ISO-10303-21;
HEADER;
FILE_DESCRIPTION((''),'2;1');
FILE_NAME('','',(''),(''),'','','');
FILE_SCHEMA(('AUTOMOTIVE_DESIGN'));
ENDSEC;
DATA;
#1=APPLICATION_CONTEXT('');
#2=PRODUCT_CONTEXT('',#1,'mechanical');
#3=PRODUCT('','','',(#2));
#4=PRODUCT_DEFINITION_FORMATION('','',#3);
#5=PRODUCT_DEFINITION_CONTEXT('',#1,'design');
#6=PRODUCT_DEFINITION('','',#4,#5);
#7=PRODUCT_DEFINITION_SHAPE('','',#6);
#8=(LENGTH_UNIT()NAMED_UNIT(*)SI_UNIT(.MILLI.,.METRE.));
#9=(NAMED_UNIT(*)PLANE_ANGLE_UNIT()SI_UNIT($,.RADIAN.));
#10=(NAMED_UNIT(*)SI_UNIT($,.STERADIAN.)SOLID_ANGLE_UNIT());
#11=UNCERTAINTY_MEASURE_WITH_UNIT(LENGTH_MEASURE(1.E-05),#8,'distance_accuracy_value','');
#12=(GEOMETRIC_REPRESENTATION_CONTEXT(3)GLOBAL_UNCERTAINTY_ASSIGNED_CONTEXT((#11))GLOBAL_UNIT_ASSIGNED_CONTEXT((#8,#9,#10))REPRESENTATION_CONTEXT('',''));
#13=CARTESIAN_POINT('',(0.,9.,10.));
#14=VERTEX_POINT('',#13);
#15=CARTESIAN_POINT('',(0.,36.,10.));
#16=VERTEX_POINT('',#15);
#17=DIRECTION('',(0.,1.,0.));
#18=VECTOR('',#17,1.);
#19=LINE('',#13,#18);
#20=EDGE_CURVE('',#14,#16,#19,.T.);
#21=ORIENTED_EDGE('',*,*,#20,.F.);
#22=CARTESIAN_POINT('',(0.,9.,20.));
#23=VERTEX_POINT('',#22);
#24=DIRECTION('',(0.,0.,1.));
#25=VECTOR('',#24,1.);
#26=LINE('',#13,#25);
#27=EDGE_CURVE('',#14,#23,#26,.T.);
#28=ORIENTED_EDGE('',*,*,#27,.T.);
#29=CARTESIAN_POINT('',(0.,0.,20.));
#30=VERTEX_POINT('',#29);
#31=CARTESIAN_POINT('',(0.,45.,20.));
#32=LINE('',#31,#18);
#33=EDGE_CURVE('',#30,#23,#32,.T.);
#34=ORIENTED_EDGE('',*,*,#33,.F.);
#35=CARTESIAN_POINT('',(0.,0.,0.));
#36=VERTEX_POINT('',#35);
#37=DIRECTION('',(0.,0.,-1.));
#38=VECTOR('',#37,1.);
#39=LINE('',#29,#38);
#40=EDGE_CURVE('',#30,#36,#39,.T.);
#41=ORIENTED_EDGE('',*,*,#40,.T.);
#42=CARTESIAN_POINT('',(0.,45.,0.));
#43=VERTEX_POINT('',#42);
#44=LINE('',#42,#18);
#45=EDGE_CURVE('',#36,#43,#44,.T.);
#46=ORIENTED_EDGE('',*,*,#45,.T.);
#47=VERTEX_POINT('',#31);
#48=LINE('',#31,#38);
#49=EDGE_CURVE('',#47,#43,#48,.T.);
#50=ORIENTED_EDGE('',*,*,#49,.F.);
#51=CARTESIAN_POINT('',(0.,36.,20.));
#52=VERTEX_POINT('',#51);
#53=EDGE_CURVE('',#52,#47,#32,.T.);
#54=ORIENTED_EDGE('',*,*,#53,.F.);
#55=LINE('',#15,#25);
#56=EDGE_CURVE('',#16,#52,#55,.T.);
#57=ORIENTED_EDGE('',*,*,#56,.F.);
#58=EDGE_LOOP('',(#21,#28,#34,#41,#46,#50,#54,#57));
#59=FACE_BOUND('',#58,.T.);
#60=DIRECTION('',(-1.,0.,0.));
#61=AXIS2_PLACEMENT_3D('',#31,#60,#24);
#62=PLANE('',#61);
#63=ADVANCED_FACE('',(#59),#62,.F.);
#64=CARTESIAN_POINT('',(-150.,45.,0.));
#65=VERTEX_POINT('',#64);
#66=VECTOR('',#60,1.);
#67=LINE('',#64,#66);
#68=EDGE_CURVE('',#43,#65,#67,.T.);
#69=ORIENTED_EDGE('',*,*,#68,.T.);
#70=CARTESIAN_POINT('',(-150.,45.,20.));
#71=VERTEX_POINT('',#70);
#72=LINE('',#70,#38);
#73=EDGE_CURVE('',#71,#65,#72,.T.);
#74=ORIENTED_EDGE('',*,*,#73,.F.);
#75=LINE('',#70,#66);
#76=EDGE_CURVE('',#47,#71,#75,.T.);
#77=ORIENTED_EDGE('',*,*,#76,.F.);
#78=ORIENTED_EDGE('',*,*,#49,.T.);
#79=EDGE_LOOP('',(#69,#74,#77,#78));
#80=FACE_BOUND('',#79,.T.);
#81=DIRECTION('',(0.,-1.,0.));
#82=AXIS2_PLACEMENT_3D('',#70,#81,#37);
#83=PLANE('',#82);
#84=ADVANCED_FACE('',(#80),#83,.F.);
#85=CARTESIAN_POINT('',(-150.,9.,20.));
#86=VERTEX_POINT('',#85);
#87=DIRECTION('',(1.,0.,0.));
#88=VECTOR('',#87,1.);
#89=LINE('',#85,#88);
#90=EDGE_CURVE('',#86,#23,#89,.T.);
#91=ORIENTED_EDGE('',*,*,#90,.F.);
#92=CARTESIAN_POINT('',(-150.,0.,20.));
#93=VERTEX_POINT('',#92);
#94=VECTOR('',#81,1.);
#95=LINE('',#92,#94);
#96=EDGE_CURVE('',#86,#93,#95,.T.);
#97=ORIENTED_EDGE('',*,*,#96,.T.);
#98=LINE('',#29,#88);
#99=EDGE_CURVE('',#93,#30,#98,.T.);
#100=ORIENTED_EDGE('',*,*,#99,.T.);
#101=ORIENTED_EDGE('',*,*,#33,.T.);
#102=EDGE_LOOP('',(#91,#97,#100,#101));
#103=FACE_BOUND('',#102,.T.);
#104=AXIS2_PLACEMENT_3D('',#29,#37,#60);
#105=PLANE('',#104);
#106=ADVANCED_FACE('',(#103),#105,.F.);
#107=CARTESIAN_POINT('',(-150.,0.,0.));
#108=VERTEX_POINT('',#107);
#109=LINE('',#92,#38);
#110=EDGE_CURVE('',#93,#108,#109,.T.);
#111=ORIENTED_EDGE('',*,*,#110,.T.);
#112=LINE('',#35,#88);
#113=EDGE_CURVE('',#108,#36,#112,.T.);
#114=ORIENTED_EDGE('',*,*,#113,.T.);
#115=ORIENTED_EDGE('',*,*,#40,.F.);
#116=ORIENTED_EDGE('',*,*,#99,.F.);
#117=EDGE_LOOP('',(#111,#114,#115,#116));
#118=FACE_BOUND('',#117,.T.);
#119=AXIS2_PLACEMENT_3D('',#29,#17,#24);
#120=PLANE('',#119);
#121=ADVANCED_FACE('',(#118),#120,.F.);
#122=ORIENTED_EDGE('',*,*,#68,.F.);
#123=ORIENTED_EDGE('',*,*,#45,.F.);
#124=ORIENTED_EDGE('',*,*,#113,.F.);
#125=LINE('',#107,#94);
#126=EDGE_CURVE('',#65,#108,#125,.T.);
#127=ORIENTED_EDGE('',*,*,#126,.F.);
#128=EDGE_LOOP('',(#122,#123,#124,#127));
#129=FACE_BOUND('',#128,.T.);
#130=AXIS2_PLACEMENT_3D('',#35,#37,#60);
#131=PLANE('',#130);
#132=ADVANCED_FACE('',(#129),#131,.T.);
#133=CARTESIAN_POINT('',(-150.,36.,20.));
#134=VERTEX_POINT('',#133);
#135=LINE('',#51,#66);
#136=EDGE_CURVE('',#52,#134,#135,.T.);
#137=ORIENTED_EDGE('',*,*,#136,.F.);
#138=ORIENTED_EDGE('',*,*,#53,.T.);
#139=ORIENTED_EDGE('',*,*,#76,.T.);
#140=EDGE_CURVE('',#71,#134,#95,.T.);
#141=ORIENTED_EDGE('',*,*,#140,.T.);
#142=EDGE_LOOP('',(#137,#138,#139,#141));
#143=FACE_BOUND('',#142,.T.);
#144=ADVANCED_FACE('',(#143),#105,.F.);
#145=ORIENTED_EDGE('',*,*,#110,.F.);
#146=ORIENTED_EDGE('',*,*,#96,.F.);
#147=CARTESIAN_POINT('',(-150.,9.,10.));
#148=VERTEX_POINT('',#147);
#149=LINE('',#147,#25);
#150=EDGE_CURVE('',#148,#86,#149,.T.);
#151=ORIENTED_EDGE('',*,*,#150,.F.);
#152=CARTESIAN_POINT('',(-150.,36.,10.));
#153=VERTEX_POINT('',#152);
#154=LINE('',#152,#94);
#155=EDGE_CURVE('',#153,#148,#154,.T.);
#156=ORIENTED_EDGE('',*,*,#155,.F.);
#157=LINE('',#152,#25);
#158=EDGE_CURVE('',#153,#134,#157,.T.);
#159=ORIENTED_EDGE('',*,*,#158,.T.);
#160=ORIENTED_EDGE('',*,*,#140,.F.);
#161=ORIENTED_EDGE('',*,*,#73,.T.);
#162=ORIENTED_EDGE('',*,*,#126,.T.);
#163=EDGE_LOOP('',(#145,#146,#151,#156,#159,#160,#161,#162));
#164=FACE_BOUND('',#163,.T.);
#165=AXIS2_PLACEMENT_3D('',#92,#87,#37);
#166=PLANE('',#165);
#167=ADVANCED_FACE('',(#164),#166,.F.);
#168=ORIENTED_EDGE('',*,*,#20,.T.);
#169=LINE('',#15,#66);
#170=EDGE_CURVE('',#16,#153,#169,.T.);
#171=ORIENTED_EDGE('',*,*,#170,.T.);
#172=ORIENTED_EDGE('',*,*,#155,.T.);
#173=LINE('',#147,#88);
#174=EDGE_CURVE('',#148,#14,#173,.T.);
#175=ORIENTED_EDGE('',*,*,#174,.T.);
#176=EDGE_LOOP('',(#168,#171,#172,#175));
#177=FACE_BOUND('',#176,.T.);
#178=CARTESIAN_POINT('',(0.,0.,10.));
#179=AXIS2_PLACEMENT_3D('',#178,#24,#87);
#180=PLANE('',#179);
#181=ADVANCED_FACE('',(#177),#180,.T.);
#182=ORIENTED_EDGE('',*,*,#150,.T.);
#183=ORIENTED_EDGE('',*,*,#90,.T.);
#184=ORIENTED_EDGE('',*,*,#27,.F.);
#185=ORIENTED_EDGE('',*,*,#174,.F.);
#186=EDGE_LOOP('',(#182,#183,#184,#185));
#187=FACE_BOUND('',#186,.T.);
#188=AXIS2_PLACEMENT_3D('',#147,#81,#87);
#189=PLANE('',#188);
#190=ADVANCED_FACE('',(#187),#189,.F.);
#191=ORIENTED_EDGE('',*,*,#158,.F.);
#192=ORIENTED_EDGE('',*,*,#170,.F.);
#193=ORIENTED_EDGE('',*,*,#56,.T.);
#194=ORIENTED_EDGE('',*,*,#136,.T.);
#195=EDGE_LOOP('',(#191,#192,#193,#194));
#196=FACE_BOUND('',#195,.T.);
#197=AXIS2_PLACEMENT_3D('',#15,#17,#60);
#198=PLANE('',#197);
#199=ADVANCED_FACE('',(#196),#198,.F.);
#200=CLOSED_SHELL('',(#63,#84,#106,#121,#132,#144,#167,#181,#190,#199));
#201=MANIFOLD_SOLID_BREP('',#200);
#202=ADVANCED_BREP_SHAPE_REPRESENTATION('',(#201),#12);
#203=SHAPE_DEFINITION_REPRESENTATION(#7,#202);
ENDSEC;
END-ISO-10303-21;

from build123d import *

# Parameters (mm, degrees)
SKETCH1_W           = 150
SKETCH1_H           = 45
BOSS_EXTRUDE1_DEPTH = 20
SKETCH2_W           = 150
SKETCH2_H           = 27
CUT_EXTRUDE1_DEPTH  = 10


with BuildPart() as part:
    # Sketch1 → Boss-Extrude1 (new body)
    with BuildSketch(Plane.XY):
        with Locations((-75, 22.5)):
            Rectangle(SKETCH1_W, SKETCH1_H)
    extrude(amount=BOSS_EXTRUDE1_DEPTH)

    # Sketch2 → Cut-Extrude1 (cut)
    with BuildSketch(Plane.XY.offset(20)):
        with Locations((-75, 22.5)):
            Rectangle(SKETCH2_W, SKETCH2_H)
    extrude(amount=-CUT_EXTRUDE1_DEPTH, mode=Mode.SUBTRACT)


solid = part.part
